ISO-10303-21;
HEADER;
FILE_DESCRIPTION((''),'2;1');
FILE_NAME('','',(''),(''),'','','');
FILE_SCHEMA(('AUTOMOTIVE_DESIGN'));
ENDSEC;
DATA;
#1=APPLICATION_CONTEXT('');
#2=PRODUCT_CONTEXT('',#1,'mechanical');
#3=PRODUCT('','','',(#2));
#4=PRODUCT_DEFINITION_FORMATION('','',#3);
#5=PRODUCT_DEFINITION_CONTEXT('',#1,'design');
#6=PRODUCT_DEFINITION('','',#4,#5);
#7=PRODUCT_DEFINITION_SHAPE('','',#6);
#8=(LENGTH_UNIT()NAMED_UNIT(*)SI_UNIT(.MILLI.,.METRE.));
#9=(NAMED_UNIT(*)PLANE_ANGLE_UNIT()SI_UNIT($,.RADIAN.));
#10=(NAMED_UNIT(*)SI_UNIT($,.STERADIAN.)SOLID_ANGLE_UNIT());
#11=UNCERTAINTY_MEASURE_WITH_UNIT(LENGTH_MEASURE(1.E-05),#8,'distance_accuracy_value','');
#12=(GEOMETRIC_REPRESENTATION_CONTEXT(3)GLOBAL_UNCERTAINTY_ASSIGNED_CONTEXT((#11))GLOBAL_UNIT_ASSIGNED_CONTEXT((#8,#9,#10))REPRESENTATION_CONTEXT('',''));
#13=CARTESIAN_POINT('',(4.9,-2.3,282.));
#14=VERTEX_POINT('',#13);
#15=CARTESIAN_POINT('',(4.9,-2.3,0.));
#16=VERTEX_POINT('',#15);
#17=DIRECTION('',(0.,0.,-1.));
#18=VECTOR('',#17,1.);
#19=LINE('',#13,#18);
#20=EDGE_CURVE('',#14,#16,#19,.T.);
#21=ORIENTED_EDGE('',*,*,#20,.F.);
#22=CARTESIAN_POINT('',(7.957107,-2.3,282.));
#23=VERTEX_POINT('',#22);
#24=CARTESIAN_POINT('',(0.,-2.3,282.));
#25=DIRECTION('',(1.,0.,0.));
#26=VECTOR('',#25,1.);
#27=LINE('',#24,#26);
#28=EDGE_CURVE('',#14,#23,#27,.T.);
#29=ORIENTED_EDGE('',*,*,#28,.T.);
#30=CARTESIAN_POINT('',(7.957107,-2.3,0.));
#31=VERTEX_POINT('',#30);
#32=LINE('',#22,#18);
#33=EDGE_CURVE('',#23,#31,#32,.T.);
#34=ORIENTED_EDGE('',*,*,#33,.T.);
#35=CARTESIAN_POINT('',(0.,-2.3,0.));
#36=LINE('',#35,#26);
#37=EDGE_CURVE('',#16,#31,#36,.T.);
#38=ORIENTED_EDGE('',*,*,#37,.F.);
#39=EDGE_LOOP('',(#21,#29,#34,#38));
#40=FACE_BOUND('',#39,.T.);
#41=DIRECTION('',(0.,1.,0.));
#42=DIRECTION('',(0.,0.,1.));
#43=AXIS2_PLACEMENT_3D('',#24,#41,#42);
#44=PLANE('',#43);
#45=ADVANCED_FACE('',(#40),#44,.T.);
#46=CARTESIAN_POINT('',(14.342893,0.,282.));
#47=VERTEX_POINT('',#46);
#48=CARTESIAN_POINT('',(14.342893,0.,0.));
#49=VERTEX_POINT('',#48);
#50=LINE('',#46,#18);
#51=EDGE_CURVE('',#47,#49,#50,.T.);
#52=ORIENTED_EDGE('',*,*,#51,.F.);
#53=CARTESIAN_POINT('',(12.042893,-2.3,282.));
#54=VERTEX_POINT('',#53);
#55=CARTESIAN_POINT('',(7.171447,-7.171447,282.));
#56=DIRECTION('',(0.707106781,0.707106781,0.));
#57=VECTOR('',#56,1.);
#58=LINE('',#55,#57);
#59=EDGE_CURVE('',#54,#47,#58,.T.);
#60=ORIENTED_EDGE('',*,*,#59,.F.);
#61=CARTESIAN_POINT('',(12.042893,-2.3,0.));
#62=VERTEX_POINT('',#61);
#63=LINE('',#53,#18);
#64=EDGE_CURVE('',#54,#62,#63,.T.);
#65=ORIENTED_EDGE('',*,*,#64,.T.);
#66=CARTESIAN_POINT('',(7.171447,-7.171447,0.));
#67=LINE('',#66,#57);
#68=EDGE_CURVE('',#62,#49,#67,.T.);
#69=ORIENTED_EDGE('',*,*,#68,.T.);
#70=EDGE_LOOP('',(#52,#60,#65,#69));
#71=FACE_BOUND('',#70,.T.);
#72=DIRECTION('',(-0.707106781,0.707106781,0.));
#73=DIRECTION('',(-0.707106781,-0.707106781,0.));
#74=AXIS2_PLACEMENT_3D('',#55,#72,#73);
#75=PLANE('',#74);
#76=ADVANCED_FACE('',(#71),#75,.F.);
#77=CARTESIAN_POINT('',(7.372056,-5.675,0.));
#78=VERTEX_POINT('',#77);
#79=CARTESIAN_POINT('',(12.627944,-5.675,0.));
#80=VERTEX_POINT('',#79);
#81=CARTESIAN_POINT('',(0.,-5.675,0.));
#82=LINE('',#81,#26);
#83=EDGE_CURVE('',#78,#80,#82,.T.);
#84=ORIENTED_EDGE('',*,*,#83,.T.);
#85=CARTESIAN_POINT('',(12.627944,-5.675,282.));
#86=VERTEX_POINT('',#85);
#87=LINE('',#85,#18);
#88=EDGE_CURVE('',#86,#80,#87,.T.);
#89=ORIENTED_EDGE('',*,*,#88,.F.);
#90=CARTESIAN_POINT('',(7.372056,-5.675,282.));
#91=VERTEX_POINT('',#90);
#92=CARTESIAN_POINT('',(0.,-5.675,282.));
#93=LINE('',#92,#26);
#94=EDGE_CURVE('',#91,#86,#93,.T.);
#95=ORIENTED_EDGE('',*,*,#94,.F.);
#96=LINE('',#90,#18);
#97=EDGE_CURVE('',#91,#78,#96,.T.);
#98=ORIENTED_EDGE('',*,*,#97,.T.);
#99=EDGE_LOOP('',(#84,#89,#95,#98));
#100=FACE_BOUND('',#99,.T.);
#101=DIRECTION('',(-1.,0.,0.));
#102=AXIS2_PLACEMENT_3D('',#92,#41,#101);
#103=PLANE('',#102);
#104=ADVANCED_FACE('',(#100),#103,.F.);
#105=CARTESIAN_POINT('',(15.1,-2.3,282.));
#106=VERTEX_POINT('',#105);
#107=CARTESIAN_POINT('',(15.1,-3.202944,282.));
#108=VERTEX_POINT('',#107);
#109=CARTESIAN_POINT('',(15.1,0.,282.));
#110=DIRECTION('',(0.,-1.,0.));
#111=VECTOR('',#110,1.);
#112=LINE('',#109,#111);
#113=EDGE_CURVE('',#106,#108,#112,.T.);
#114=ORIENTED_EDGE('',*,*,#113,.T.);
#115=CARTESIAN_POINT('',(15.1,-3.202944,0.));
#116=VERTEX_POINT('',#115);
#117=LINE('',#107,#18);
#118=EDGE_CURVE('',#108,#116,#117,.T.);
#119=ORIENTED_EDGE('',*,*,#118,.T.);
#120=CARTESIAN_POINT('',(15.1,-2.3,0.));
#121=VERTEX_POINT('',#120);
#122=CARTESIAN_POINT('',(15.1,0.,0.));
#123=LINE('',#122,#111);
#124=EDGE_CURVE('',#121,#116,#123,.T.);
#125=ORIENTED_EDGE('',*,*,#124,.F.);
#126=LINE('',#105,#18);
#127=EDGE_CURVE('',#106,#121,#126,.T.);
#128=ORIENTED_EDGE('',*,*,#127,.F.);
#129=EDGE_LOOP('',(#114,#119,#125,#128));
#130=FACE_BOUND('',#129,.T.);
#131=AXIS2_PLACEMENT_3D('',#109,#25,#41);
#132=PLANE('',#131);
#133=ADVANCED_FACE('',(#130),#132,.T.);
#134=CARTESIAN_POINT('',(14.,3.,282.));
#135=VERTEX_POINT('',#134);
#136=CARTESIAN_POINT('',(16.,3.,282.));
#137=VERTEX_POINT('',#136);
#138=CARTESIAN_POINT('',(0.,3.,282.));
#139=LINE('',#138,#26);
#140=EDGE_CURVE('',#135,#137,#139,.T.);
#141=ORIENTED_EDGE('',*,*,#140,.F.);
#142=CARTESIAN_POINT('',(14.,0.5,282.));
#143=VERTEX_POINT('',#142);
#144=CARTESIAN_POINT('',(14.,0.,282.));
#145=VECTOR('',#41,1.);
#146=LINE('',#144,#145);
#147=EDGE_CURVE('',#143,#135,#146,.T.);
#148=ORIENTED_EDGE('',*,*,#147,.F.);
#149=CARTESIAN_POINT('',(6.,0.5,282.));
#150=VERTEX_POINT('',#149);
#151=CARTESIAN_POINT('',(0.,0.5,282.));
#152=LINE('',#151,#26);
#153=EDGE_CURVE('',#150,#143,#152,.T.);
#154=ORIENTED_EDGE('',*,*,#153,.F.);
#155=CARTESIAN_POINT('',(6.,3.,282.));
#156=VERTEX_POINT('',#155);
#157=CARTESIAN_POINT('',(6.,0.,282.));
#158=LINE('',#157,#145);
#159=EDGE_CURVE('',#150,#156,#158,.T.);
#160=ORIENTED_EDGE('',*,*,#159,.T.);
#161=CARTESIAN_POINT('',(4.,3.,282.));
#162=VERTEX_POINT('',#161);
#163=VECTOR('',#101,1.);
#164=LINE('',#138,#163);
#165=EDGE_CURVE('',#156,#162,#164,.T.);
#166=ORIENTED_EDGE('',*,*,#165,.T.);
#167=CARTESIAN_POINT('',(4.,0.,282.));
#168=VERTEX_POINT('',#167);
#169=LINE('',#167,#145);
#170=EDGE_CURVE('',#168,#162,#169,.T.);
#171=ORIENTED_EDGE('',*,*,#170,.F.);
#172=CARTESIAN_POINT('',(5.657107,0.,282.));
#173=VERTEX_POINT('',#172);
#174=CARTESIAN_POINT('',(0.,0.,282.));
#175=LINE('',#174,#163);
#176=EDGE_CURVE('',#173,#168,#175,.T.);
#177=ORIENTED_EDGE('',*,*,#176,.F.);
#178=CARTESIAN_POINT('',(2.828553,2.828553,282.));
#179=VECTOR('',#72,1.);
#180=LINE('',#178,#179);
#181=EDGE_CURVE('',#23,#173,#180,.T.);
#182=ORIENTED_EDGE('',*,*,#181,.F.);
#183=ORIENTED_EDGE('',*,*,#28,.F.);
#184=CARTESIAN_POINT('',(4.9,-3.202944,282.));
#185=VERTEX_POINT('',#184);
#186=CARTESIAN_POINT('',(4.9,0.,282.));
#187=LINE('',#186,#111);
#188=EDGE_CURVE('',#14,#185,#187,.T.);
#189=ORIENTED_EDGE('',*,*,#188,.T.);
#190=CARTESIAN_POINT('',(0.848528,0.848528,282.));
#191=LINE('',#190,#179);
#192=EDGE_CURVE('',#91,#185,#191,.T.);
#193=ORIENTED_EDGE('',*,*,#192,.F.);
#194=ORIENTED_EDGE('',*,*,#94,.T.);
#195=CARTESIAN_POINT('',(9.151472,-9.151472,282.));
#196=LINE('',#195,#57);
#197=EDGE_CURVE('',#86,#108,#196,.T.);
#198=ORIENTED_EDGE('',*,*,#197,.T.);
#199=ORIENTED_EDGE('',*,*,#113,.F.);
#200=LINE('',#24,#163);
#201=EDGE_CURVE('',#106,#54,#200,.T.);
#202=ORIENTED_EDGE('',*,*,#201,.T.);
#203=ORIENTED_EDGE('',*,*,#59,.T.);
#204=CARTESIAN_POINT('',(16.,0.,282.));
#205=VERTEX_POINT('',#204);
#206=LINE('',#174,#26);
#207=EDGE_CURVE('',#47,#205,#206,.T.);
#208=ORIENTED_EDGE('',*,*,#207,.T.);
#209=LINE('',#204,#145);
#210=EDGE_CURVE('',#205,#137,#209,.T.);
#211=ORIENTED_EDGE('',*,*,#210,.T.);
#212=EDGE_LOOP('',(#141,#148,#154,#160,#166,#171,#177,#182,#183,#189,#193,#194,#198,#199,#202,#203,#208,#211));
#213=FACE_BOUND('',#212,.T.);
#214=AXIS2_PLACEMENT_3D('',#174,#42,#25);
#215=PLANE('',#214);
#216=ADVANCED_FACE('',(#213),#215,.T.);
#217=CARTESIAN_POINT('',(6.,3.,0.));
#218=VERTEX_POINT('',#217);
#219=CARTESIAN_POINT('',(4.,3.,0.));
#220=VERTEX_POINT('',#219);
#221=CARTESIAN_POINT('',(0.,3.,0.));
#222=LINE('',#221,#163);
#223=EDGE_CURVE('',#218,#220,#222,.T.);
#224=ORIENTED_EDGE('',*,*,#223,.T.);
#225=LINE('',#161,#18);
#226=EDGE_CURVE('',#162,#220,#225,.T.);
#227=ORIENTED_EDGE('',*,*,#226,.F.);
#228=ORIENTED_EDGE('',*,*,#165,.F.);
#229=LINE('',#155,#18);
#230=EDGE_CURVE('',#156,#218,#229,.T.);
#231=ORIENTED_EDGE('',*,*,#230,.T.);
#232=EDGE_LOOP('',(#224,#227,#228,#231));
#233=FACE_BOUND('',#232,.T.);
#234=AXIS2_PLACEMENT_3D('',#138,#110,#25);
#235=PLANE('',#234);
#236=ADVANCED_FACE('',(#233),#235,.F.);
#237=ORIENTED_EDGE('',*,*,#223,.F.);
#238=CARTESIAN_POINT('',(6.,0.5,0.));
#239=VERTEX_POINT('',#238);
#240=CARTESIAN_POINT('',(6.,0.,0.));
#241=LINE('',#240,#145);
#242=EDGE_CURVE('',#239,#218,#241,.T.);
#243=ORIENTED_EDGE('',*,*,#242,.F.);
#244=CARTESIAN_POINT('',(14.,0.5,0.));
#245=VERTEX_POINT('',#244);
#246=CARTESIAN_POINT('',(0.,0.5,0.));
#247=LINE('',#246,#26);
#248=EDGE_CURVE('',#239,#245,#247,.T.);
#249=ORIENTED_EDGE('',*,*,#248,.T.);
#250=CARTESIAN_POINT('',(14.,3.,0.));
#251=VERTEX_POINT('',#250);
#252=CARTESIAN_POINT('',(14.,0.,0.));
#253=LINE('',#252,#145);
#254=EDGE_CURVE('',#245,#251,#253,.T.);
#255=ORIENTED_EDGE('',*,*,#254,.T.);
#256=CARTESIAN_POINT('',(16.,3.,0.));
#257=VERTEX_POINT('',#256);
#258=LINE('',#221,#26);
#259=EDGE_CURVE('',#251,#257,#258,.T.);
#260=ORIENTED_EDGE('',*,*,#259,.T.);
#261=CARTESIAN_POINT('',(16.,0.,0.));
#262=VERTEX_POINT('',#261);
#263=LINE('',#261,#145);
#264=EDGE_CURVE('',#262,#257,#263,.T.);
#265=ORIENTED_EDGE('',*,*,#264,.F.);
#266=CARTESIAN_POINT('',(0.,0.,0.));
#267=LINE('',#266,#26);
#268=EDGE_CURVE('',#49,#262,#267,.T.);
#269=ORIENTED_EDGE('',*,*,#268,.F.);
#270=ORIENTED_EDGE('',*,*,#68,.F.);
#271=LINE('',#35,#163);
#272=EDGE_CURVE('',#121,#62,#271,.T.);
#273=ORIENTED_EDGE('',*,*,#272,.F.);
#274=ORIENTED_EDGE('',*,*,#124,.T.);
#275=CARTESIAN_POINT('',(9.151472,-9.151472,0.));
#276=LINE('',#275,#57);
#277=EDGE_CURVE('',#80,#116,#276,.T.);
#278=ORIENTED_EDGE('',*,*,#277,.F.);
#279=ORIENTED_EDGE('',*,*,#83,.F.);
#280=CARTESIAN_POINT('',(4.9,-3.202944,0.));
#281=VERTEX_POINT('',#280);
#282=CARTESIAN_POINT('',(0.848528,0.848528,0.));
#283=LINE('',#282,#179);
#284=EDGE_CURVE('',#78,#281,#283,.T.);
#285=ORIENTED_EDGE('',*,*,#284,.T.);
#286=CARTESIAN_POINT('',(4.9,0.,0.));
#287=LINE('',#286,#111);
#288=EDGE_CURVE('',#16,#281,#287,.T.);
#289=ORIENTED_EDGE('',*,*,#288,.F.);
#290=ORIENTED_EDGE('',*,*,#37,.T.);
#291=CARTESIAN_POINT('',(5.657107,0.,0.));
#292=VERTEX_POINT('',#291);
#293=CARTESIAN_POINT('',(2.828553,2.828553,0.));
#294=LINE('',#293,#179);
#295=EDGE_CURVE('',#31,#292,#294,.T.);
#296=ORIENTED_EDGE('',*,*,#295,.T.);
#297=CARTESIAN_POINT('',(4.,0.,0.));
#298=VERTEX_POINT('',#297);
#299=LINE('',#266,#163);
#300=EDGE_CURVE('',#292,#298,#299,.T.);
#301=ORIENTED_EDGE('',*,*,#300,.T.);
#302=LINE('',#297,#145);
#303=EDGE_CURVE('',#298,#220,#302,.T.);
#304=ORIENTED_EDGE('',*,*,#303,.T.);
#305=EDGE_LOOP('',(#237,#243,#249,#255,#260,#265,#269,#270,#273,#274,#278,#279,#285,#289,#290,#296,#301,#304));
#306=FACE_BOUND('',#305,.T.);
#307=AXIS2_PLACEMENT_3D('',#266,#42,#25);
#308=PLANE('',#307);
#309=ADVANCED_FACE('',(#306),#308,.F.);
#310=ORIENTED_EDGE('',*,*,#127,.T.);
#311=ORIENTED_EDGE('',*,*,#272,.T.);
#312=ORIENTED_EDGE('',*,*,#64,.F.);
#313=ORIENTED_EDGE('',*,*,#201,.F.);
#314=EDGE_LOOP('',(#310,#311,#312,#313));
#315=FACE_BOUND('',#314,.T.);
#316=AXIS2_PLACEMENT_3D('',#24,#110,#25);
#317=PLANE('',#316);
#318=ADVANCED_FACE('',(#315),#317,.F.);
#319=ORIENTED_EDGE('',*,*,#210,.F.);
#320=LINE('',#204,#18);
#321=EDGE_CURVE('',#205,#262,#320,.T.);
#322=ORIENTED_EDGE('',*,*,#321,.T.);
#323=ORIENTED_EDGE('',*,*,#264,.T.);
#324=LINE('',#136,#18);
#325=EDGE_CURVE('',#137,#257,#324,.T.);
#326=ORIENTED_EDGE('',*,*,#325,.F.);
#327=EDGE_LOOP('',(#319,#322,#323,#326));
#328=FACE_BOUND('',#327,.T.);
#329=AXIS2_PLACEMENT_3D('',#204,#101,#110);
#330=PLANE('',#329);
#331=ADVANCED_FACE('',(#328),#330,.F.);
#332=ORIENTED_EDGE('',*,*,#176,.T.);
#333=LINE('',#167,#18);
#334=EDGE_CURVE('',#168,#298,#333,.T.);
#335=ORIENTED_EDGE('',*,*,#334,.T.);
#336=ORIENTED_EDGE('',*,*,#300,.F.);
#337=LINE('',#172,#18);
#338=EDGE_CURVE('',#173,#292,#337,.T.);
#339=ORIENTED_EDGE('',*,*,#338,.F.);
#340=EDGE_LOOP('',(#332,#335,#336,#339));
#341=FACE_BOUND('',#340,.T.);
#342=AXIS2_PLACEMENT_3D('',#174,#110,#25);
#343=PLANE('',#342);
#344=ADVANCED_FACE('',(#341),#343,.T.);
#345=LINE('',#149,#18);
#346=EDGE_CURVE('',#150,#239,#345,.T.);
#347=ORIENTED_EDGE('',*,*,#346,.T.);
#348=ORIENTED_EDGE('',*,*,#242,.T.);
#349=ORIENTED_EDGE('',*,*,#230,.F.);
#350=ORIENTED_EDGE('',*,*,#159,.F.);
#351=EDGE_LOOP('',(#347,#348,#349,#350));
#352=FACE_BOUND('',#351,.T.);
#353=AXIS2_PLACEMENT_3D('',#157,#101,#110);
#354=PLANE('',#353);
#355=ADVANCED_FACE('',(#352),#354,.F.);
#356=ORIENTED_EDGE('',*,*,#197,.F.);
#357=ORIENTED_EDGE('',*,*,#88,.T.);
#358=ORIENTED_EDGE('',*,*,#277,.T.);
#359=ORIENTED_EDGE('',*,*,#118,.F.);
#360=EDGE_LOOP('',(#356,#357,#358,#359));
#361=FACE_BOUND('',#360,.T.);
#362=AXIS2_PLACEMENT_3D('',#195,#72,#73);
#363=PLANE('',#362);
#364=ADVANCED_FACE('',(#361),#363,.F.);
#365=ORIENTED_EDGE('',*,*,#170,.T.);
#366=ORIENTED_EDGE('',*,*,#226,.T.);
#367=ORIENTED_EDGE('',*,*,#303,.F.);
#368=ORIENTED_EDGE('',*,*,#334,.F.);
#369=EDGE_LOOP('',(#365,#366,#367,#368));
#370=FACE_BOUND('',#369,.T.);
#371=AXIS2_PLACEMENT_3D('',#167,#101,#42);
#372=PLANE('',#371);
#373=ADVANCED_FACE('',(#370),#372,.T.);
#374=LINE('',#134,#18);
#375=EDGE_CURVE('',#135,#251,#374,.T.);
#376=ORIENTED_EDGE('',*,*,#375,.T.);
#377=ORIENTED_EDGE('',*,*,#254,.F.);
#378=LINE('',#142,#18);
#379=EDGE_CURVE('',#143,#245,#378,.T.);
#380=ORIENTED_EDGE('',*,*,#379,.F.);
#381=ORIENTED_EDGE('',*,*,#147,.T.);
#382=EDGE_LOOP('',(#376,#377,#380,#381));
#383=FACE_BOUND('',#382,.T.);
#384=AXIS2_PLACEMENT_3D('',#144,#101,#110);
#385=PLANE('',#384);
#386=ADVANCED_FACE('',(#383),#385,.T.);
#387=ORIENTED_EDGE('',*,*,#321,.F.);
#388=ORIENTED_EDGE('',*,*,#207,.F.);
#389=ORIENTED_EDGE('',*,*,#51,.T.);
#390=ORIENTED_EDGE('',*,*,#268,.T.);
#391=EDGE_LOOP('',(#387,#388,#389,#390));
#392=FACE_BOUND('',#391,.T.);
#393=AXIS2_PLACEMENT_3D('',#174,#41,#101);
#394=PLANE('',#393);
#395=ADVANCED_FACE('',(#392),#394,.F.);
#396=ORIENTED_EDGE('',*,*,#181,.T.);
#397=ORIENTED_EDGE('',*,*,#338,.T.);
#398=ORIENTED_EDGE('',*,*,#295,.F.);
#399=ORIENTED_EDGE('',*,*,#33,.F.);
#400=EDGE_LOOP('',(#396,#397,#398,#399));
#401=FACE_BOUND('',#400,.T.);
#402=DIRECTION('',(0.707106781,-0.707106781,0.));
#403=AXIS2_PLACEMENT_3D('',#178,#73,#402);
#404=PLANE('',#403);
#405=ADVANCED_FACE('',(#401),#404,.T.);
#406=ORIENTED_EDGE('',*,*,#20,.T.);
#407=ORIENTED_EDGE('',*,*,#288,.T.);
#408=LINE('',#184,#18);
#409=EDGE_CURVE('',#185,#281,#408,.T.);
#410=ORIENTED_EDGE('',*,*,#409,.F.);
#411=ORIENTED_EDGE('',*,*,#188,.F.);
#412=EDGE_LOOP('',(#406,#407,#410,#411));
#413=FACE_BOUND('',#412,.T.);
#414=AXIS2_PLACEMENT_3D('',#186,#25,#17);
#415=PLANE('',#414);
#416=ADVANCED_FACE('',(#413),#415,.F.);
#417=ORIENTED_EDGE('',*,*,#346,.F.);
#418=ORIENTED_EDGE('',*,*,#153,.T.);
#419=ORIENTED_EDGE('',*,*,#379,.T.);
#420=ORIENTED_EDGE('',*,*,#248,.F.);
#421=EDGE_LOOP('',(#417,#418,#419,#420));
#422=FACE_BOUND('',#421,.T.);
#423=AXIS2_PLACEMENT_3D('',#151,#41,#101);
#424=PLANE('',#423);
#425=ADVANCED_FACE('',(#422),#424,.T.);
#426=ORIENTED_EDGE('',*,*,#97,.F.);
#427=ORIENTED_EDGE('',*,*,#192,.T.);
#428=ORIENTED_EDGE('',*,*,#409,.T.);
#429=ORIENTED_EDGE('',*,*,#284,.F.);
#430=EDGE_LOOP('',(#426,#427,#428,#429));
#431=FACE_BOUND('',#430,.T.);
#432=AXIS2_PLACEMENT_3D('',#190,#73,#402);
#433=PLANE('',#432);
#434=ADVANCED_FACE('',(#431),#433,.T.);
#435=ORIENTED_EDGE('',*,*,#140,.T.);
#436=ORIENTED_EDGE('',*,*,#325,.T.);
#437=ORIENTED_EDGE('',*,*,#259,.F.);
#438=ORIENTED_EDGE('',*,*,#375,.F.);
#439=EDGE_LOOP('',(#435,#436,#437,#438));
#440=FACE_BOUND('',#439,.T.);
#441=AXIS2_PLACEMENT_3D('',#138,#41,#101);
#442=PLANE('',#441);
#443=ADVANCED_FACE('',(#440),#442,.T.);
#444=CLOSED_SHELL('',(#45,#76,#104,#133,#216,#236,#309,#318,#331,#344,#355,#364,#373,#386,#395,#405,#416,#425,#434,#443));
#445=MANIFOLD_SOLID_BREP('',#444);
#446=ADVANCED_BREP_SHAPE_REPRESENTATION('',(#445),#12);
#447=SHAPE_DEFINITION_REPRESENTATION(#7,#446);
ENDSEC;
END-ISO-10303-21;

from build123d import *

# Parameters (mm, degrees)
SALIENTE_EXTRUIR1_DEPTH = 282


with BuildPart() as part:
    # Croquis1 → Saliente-Extruir1 (new body)
    with BuildSketch(Plane.XY):
        Polygon((7.372056275, -5.675), (10, -5.675), (10, 0.5), (6, 0.5), (6, 3), (4, 3), (4, 0), (4.4, 0), (4.95, 0), (5.657106781, 0), (7.957106781, -2.3), (4.9, -2.3), (4.9, -3.202943725), align=None)
        Polygon((10, -5.675), (12.627943725, -5.675), (15.1, -3.202943725), (15.1, -2.3), (12.042893219, -2.3), (14.342893219, 0), (16, 0), (16, 3), (14, 3), (14, 0.5), (10, 0.5), align=None)
    extrude(amount=SALIENTE_EXTRUIR1_DEPTH)


solid = part.part
